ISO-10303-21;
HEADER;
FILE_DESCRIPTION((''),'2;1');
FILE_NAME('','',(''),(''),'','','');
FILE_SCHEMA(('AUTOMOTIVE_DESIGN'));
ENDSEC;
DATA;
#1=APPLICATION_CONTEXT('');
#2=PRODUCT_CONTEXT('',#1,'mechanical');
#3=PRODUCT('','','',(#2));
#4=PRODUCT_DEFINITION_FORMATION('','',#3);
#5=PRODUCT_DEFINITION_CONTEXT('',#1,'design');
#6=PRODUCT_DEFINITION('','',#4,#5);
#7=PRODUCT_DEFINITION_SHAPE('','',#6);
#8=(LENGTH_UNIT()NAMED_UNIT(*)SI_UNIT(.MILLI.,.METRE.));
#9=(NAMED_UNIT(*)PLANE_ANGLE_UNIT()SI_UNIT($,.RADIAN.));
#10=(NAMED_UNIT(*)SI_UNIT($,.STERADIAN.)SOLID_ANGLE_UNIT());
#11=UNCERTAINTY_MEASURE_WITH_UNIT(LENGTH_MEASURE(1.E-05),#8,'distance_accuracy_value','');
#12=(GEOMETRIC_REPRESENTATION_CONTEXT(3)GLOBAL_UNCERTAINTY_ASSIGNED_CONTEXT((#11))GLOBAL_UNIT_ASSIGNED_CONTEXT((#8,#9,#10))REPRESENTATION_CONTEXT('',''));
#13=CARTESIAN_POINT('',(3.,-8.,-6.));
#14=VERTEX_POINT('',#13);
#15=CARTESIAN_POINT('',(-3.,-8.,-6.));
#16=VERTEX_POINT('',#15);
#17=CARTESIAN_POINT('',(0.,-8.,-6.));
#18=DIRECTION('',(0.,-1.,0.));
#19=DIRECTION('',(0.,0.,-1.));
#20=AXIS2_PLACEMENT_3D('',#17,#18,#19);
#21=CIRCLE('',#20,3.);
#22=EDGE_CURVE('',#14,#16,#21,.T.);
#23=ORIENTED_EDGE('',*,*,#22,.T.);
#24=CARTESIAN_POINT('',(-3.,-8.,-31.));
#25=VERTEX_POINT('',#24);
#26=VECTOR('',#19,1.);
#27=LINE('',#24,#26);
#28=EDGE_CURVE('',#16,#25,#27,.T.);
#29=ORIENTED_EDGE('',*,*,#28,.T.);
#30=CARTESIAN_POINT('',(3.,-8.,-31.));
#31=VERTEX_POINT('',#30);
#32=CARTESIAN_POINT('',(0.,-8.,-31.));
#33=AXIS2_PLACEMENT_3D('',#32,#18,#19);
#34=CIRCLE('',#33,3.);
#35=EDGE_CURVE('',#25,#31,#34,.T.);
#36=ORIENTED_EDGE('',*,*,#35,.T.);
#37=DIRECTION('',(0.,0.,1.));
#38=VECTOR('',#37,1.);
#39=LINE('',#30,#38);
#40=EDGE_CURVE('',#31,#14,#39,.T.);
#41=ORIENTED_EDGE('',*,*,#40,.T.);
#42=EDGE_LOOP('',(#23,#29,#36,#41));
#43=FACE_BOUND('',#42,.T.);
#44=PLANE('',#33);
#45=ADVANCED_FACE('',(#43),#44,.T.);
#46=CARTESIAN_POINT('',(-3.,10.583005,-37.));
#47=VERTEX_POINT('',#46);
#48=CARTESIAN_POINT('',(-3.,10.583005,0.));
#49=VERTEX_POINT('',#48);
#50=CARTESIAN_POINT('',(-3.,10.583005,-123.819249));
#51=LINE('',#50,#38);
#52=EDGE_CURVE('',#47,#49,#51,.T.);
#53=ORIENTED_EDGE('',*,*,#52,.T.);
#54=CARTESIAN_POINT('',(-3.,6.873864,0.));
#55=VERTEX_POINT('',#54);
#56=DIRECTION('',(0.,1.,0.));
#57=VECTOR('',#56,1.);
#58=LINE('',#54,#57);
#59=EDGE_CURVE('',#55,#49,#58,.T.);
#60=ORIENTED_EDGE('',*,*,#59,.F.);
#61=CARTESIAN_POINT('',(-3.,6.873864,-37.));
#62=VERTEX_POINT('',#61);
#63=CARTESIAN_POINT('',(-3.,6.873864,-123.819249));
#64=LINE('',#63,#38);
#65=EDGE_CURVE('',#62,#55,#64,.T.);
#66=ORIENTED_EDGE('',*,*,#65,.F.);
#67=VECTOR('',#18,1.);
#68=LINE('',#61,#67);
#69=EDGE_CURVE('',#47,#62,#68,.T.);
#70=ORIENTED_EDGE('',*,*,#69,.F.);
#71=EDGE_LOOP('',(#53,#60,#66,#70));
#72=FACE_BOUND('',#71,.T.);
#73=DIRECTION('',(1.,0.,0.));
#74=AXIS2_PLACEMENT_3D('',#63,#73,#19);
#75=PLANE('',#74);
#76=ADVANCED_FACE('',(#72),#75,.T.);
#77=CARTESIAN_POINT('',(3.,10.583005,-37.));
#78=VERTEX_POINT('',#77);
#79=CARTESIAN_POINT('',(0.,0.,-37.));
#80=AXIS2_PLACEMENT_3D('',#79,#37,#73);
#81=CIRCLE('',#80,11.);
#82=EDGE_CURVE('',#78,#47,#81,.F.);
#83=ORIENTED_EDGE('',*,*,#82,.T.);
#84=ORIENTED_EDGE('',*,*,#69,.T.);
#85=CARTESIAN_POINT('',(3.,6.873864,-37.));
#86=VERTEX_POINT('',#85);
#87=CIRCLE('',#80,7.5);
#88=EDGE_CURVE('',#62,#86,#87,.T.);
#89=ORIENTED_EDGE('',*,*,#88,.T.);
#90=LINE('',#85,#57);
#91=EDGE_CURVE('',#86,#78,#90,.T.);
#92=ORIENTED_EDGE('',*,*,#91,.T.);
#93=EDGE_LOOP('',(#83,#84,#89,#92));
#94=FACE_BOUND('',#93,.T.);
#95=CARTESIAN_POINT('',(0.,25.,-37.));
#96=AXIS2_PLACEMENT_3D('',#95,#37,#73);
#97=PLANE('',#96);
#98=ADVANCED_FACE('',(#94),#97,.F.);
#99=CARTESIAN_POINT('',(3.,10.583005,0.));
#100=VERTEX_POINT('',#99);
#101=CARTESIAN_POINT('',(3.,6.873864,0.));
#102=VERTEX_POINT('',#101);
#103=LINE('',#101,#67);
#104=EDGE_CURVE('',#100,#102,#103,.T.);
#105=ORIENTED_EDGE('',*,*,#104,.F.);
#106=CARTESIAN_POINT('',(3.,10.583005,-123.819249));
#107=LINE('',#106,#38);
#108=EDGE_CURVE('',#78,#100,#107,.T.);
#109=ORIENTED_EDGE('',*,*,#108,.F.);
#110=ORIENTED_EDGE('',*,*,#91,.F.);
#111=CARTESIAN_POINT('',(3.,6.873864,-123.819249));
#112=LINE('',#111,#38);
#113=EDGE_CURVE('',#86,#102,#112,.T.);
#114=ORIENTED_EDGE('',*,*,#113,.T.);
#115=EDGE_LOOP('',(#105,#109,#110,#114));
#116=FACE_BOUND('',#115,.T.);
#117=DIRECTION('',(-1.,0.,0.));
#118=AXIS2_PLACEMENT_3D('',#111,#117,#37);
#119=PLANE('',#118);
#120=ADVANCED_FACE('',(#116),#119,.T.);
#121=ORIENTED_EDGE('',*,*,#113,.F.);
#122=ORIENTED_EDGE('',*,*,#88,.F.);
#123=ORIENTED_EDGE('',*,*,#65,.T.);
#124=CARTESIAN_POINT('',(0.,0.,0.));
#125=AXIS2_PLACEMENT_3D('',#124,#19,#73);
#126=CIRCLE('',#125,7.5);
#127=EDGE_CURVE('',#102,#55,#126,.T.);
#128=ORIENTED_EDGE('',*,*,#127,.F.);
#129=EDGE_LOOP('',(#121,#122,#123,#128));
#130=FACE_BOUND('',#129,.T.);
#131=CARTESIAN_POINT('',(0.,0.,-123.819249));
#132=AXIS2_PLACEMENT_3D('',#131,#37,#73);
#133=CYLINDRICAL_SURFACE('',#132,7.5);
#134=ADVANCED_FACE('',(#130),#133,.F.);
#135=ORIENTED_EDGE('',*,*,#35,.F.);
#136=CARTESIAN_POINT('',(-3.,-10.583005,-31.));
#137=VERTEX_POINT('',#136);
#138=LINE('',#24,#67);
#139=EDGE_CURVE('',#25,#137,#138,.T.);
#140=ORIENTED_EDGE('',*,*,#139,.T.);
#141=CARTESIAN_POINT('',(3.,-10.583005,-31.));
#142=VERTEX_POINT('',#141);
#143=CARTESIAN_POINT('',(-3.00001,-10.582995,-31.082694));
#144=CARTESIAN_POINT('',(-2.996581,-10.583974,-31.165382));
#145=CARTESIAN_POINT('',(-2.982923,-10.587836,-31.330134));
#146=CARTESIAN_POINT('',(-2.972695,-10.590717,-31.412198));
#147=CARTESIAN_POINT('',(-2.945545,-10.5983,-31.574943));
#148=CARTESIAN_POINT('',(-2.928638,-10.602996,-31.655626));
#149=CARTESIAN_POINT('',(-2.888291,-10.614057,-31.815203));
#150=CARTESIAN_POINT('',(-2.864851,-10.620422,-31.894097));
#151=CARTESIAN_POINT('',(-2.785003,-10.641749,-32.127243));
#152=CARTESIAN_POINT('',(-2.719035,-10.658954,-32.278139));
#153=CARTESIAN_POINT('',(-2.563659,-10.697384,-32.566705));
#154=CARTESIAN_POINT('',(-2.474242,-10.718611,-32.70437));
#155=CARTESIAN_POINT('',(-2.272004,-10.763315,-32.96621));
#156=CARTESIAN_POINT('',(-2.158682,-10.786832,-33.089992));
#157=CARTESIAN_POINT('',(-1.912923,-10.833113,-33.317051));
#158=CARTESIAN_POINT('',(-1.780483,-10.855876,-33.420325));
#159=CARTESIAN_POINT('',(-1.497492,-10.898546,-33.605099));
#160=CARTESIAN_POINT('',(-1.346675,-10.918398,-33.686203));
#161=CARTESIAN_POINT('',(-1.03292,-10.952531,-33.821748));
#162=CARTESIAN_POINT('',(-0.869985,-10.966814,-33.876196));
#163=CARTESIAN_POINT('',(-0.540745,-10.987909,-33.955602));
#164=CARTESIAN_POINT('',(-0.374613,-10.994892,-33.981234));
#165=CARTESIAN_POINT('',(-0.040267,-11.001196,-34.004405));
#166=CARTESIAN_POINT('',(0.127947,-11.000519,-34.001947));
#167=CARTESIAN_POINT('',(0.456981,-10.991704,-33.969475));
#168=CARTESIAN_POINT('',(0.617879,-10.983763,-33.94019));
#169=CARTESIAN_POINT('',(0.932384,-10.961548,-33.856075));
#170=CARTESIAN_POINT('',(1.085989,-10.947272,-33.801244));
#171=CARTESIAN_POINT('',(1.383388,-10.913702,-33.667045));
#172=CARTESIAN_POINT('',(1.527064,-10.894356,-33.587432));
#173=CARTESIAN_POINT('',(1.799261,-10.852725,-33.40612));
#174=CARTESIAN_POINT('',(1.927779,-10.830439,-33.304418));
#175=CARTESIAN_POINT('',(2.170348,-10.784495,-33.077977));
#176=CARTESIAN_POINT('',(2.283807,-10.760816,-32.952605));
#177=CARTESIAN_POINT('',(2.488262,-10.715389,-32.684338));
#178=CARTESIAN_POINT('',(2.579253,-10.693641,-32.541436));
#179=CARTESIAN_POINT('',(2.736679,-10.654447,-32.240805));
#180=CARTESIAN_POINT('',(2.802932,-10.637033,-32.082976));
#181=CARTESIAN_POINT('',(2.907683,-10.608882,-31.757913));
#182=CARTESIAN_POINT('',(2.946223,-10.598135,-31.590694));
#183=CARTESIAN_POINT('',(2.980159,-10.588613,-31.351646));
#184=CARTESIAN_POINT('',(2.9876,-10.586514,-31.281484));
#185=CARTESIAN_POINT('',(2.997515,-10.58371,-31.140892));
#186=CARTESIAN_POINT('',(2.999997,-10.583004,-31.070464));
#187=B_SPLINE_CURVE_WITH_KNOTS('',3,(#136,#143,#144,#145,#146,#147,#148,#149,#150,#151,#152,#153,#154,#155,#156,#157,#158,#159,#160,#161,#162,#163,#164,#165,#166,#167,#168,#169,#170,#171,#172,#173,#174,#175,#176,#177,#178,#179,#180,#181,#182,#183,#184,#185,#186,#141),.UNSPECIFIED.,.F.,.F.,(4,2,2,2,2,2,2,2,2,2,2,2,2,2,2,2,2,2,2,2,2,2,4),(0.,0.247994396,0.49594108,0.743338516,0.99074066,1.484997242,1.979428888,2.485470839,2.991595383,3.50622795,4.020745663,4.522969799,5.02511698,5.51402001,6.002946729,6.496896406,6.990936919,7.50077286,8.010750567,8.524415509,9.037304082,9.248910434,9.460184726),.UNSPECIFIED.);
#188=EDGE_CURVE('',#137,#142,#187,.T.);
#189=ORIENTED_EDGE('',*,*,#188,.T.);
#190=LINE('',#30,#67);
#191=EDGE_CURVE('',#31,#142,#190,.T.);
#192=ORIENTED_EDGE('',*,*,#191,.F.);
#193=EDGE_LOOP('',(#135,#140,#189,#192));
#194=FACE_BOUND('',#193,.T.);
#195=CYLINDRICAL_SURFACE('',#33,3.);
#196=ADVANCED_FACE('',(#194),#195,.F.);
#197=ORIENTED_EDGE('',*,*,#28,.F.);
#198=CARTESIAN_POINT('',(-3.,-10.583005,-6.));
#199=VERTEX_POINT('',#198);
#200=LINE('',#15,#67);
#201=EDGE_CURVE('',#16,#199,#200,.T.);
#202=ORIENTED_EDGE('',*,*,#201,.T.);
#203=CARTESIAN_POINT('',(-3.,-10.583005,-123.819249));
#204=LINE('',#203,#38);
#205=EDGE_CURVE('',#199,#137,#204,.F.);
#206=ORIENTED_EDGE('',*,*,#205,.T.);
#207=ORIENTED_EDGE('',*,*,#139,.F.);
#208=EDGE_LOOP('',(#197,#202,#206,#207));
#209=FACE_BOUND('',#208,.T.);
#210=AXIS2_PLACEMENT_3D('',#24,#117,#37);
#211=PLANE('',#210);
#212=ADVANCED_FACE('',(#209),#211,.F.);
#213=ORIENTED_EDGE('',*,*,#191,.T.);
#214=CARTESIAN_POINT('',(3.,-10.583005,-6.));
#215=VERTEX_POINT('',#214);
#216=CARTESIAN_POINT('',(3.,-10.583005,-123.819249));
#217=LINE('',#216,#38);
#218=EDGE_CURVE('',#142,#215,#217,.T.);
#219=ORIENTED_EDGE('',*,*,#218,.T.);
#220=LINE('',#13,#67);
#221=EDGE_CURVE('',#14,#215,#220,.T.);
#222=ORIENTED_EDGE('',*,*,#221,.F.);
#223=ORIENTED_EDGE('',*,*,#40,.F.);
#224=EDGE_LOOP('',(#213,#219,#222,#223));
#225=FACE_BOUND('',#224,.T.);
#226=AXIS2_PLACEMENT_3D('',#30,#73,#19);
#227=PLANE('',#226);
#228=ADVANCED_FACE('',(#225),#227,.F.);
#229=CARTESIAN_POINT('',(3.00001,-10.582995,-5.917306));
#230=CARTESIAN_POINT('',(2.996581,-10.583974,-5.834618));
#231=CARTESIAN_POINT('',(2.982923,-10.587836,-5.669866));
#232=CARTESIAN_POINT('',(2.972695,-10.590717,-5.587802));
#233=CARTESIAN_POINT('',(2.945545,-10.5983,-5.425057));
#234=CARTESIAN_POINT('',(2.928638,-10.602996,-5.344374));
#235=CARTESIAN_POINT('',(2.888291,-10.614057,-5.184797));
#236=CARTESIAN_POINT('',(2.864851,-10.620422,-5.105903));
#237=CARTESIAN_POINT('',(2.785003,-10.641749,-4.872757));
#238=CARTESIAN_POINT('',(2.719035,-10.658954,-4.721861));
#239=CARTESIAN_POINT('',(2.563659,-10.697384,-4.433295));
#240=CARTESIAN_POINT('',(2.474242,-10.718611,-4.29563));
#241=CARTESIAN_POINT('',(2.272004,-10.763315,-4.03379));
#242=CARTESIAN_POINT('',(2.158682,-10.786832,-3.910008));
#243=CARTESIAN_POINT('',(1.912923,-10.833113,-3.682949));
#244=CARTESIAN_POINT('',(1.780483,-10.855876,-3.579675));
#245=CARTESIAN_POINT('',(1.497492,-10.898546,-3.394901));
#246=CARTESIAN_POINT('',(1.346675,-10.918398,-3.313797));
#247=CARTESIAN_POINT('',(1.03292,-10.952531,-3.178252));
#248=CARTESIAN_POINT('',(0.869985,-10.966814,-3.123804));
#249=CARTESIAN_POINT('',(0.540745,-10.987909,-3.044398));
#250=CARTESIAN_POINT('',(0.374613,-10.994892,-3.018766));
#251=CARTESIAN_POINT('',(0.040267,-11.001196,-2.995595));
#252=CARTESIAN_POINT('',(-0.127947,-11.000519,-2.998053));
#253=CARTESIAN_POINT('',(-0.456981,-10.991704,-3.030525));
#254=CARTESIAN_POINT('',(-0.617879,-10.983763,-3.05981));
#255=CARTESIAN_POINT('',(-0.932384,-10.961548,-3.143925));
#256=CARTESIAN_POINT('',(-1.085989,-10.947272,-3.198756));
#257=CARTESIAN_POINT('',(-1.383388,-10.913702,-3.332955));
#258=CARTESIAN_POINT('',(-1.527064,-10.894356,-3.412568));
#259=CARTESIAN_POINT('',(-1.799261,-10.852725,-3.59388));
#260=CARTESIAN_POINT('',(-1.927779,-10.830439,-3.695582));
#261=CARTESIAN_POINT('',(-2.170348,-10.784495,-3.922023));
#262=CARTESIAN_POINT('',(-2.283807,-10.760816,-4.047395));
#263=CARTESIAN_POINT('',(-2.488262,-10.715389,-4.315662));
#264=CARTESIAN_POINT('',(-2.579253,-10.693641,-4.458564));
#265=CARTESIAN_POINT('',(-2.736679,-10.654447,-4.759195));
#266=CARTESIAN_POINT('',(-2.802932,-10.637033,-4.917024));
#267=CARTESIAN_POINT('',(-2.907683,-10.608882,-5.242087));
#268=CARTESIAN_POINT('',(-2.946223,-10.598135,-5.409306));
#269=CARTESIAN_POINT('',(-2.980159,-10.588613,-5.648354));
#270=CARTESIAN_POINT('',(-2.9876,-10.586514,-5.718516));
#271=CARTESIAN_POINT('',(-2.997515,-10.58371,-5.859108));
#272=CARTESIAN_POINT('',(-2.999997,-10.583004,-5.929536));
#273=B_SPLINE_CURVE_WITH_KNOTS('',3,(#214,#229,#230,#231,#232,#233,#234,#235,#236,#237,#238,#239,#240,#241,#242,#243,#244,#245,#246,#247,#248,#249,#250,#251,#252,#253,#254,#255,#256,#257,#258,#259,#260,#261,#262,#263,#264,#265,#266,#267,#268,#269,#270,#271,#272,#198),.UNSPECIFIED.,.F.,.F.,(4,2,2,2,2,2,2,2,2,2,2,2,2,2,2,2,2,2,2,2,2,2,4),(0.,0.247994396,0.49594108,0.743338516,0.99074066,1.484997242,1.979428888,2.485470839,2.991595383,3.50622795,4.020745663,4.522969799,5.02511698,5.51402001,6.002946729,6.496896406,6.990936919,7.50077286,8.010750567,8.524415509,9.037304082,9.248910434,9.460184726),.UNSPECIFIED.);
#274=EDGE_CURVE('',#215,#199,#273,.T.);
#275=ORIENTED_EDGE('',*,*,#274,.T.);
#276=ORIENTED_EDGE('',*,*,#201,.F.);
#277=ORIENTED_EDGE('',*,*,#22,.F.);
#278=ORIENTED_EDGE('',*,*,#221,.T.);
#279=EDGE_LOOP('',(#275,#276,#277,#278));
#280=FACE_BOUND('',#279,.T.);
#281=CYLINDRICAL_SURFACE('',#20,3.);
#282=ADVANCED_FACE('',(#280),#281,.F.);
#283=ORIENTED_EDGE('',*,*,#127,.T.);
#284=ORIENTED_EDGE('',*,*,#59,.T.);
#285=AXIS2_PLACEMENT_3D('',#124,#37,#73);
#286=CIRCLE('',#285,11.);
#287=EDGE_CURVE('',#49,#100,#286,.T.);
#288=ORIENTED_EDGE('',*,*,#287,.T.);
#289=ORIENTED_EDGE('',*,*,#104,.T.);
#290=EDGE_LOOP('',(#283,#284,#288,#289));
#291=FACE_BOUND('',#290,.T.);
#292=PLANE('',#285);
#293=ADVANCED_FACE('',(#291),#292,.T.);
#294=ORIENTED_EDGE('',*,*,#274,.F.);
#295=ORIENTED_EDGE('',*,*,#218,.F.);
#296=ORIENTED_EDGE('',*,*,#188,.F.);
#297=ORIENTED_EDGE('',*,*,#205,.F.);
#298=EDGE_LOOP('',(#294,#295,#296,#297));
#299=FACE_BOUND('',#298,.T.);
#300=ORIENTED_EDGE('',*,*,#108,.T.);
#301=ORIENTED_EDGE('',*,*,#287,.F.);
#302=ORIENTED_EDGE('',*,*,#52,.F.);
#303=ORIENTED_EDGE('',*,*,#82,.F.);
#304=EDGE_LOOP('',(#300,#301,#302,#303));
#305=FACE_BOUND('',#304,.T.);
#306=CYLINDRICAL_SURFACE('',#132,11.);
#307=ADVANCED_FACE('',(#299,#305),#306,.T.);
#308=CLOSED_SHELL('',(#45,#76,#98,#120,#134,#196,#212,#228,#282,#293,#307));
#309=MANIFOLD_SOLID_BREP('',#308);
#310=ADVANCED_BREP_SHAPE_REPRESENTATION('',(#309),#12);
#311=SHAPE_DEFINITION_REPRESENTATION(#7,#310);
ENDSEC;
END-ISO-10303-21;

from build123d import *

# Parameters (mm, degrees)
EXTRUDE_1_DEPTH     = 37
CUT_EXTRUDE_1_DEPTH = 3


with BuildPart() as part:
    # Эскиз1 → Бобышка-Вытянуть1 (new body)
    with BuildSketch(Plane.XY):
        with BuildLine():
            Line((-3, 6.873863542), (-3, 10.583005244))
            ThreePointArc((-3, 10.583005244), (0, -11), (3, 10.583005244))
            Line((3, 10.583005244), (3, 6.873863542))
            ThreePointArc((3, 6.873863542), (0, -7.5), (-3, 6.873863542))
        make_face()
    extrude(amount=-EXTRUDE_1_DEPTH)

    # Эскиз2 → Вырез-Вытянуть1 (cut)
    with BuildSketch(Plane(origin=(0, -11, 0), x_dir=(-1, 0, 0), z_dir=(0, -1, 0))):
        with BuildLine():
            Line((3, 31), (3, 6))
            ThreePointArc((3, 6), (0, 3), (-3, 6))
            Line((-3, 6), (-3, 31))
            ThreePointArc((-3, 31), (0, 34), (3, 31))
        make_face()
    extrude(amount=-CUT_EXTRUDE_1_DEPTH, mode=Mode.SUBTRACT)


solid = part.part
